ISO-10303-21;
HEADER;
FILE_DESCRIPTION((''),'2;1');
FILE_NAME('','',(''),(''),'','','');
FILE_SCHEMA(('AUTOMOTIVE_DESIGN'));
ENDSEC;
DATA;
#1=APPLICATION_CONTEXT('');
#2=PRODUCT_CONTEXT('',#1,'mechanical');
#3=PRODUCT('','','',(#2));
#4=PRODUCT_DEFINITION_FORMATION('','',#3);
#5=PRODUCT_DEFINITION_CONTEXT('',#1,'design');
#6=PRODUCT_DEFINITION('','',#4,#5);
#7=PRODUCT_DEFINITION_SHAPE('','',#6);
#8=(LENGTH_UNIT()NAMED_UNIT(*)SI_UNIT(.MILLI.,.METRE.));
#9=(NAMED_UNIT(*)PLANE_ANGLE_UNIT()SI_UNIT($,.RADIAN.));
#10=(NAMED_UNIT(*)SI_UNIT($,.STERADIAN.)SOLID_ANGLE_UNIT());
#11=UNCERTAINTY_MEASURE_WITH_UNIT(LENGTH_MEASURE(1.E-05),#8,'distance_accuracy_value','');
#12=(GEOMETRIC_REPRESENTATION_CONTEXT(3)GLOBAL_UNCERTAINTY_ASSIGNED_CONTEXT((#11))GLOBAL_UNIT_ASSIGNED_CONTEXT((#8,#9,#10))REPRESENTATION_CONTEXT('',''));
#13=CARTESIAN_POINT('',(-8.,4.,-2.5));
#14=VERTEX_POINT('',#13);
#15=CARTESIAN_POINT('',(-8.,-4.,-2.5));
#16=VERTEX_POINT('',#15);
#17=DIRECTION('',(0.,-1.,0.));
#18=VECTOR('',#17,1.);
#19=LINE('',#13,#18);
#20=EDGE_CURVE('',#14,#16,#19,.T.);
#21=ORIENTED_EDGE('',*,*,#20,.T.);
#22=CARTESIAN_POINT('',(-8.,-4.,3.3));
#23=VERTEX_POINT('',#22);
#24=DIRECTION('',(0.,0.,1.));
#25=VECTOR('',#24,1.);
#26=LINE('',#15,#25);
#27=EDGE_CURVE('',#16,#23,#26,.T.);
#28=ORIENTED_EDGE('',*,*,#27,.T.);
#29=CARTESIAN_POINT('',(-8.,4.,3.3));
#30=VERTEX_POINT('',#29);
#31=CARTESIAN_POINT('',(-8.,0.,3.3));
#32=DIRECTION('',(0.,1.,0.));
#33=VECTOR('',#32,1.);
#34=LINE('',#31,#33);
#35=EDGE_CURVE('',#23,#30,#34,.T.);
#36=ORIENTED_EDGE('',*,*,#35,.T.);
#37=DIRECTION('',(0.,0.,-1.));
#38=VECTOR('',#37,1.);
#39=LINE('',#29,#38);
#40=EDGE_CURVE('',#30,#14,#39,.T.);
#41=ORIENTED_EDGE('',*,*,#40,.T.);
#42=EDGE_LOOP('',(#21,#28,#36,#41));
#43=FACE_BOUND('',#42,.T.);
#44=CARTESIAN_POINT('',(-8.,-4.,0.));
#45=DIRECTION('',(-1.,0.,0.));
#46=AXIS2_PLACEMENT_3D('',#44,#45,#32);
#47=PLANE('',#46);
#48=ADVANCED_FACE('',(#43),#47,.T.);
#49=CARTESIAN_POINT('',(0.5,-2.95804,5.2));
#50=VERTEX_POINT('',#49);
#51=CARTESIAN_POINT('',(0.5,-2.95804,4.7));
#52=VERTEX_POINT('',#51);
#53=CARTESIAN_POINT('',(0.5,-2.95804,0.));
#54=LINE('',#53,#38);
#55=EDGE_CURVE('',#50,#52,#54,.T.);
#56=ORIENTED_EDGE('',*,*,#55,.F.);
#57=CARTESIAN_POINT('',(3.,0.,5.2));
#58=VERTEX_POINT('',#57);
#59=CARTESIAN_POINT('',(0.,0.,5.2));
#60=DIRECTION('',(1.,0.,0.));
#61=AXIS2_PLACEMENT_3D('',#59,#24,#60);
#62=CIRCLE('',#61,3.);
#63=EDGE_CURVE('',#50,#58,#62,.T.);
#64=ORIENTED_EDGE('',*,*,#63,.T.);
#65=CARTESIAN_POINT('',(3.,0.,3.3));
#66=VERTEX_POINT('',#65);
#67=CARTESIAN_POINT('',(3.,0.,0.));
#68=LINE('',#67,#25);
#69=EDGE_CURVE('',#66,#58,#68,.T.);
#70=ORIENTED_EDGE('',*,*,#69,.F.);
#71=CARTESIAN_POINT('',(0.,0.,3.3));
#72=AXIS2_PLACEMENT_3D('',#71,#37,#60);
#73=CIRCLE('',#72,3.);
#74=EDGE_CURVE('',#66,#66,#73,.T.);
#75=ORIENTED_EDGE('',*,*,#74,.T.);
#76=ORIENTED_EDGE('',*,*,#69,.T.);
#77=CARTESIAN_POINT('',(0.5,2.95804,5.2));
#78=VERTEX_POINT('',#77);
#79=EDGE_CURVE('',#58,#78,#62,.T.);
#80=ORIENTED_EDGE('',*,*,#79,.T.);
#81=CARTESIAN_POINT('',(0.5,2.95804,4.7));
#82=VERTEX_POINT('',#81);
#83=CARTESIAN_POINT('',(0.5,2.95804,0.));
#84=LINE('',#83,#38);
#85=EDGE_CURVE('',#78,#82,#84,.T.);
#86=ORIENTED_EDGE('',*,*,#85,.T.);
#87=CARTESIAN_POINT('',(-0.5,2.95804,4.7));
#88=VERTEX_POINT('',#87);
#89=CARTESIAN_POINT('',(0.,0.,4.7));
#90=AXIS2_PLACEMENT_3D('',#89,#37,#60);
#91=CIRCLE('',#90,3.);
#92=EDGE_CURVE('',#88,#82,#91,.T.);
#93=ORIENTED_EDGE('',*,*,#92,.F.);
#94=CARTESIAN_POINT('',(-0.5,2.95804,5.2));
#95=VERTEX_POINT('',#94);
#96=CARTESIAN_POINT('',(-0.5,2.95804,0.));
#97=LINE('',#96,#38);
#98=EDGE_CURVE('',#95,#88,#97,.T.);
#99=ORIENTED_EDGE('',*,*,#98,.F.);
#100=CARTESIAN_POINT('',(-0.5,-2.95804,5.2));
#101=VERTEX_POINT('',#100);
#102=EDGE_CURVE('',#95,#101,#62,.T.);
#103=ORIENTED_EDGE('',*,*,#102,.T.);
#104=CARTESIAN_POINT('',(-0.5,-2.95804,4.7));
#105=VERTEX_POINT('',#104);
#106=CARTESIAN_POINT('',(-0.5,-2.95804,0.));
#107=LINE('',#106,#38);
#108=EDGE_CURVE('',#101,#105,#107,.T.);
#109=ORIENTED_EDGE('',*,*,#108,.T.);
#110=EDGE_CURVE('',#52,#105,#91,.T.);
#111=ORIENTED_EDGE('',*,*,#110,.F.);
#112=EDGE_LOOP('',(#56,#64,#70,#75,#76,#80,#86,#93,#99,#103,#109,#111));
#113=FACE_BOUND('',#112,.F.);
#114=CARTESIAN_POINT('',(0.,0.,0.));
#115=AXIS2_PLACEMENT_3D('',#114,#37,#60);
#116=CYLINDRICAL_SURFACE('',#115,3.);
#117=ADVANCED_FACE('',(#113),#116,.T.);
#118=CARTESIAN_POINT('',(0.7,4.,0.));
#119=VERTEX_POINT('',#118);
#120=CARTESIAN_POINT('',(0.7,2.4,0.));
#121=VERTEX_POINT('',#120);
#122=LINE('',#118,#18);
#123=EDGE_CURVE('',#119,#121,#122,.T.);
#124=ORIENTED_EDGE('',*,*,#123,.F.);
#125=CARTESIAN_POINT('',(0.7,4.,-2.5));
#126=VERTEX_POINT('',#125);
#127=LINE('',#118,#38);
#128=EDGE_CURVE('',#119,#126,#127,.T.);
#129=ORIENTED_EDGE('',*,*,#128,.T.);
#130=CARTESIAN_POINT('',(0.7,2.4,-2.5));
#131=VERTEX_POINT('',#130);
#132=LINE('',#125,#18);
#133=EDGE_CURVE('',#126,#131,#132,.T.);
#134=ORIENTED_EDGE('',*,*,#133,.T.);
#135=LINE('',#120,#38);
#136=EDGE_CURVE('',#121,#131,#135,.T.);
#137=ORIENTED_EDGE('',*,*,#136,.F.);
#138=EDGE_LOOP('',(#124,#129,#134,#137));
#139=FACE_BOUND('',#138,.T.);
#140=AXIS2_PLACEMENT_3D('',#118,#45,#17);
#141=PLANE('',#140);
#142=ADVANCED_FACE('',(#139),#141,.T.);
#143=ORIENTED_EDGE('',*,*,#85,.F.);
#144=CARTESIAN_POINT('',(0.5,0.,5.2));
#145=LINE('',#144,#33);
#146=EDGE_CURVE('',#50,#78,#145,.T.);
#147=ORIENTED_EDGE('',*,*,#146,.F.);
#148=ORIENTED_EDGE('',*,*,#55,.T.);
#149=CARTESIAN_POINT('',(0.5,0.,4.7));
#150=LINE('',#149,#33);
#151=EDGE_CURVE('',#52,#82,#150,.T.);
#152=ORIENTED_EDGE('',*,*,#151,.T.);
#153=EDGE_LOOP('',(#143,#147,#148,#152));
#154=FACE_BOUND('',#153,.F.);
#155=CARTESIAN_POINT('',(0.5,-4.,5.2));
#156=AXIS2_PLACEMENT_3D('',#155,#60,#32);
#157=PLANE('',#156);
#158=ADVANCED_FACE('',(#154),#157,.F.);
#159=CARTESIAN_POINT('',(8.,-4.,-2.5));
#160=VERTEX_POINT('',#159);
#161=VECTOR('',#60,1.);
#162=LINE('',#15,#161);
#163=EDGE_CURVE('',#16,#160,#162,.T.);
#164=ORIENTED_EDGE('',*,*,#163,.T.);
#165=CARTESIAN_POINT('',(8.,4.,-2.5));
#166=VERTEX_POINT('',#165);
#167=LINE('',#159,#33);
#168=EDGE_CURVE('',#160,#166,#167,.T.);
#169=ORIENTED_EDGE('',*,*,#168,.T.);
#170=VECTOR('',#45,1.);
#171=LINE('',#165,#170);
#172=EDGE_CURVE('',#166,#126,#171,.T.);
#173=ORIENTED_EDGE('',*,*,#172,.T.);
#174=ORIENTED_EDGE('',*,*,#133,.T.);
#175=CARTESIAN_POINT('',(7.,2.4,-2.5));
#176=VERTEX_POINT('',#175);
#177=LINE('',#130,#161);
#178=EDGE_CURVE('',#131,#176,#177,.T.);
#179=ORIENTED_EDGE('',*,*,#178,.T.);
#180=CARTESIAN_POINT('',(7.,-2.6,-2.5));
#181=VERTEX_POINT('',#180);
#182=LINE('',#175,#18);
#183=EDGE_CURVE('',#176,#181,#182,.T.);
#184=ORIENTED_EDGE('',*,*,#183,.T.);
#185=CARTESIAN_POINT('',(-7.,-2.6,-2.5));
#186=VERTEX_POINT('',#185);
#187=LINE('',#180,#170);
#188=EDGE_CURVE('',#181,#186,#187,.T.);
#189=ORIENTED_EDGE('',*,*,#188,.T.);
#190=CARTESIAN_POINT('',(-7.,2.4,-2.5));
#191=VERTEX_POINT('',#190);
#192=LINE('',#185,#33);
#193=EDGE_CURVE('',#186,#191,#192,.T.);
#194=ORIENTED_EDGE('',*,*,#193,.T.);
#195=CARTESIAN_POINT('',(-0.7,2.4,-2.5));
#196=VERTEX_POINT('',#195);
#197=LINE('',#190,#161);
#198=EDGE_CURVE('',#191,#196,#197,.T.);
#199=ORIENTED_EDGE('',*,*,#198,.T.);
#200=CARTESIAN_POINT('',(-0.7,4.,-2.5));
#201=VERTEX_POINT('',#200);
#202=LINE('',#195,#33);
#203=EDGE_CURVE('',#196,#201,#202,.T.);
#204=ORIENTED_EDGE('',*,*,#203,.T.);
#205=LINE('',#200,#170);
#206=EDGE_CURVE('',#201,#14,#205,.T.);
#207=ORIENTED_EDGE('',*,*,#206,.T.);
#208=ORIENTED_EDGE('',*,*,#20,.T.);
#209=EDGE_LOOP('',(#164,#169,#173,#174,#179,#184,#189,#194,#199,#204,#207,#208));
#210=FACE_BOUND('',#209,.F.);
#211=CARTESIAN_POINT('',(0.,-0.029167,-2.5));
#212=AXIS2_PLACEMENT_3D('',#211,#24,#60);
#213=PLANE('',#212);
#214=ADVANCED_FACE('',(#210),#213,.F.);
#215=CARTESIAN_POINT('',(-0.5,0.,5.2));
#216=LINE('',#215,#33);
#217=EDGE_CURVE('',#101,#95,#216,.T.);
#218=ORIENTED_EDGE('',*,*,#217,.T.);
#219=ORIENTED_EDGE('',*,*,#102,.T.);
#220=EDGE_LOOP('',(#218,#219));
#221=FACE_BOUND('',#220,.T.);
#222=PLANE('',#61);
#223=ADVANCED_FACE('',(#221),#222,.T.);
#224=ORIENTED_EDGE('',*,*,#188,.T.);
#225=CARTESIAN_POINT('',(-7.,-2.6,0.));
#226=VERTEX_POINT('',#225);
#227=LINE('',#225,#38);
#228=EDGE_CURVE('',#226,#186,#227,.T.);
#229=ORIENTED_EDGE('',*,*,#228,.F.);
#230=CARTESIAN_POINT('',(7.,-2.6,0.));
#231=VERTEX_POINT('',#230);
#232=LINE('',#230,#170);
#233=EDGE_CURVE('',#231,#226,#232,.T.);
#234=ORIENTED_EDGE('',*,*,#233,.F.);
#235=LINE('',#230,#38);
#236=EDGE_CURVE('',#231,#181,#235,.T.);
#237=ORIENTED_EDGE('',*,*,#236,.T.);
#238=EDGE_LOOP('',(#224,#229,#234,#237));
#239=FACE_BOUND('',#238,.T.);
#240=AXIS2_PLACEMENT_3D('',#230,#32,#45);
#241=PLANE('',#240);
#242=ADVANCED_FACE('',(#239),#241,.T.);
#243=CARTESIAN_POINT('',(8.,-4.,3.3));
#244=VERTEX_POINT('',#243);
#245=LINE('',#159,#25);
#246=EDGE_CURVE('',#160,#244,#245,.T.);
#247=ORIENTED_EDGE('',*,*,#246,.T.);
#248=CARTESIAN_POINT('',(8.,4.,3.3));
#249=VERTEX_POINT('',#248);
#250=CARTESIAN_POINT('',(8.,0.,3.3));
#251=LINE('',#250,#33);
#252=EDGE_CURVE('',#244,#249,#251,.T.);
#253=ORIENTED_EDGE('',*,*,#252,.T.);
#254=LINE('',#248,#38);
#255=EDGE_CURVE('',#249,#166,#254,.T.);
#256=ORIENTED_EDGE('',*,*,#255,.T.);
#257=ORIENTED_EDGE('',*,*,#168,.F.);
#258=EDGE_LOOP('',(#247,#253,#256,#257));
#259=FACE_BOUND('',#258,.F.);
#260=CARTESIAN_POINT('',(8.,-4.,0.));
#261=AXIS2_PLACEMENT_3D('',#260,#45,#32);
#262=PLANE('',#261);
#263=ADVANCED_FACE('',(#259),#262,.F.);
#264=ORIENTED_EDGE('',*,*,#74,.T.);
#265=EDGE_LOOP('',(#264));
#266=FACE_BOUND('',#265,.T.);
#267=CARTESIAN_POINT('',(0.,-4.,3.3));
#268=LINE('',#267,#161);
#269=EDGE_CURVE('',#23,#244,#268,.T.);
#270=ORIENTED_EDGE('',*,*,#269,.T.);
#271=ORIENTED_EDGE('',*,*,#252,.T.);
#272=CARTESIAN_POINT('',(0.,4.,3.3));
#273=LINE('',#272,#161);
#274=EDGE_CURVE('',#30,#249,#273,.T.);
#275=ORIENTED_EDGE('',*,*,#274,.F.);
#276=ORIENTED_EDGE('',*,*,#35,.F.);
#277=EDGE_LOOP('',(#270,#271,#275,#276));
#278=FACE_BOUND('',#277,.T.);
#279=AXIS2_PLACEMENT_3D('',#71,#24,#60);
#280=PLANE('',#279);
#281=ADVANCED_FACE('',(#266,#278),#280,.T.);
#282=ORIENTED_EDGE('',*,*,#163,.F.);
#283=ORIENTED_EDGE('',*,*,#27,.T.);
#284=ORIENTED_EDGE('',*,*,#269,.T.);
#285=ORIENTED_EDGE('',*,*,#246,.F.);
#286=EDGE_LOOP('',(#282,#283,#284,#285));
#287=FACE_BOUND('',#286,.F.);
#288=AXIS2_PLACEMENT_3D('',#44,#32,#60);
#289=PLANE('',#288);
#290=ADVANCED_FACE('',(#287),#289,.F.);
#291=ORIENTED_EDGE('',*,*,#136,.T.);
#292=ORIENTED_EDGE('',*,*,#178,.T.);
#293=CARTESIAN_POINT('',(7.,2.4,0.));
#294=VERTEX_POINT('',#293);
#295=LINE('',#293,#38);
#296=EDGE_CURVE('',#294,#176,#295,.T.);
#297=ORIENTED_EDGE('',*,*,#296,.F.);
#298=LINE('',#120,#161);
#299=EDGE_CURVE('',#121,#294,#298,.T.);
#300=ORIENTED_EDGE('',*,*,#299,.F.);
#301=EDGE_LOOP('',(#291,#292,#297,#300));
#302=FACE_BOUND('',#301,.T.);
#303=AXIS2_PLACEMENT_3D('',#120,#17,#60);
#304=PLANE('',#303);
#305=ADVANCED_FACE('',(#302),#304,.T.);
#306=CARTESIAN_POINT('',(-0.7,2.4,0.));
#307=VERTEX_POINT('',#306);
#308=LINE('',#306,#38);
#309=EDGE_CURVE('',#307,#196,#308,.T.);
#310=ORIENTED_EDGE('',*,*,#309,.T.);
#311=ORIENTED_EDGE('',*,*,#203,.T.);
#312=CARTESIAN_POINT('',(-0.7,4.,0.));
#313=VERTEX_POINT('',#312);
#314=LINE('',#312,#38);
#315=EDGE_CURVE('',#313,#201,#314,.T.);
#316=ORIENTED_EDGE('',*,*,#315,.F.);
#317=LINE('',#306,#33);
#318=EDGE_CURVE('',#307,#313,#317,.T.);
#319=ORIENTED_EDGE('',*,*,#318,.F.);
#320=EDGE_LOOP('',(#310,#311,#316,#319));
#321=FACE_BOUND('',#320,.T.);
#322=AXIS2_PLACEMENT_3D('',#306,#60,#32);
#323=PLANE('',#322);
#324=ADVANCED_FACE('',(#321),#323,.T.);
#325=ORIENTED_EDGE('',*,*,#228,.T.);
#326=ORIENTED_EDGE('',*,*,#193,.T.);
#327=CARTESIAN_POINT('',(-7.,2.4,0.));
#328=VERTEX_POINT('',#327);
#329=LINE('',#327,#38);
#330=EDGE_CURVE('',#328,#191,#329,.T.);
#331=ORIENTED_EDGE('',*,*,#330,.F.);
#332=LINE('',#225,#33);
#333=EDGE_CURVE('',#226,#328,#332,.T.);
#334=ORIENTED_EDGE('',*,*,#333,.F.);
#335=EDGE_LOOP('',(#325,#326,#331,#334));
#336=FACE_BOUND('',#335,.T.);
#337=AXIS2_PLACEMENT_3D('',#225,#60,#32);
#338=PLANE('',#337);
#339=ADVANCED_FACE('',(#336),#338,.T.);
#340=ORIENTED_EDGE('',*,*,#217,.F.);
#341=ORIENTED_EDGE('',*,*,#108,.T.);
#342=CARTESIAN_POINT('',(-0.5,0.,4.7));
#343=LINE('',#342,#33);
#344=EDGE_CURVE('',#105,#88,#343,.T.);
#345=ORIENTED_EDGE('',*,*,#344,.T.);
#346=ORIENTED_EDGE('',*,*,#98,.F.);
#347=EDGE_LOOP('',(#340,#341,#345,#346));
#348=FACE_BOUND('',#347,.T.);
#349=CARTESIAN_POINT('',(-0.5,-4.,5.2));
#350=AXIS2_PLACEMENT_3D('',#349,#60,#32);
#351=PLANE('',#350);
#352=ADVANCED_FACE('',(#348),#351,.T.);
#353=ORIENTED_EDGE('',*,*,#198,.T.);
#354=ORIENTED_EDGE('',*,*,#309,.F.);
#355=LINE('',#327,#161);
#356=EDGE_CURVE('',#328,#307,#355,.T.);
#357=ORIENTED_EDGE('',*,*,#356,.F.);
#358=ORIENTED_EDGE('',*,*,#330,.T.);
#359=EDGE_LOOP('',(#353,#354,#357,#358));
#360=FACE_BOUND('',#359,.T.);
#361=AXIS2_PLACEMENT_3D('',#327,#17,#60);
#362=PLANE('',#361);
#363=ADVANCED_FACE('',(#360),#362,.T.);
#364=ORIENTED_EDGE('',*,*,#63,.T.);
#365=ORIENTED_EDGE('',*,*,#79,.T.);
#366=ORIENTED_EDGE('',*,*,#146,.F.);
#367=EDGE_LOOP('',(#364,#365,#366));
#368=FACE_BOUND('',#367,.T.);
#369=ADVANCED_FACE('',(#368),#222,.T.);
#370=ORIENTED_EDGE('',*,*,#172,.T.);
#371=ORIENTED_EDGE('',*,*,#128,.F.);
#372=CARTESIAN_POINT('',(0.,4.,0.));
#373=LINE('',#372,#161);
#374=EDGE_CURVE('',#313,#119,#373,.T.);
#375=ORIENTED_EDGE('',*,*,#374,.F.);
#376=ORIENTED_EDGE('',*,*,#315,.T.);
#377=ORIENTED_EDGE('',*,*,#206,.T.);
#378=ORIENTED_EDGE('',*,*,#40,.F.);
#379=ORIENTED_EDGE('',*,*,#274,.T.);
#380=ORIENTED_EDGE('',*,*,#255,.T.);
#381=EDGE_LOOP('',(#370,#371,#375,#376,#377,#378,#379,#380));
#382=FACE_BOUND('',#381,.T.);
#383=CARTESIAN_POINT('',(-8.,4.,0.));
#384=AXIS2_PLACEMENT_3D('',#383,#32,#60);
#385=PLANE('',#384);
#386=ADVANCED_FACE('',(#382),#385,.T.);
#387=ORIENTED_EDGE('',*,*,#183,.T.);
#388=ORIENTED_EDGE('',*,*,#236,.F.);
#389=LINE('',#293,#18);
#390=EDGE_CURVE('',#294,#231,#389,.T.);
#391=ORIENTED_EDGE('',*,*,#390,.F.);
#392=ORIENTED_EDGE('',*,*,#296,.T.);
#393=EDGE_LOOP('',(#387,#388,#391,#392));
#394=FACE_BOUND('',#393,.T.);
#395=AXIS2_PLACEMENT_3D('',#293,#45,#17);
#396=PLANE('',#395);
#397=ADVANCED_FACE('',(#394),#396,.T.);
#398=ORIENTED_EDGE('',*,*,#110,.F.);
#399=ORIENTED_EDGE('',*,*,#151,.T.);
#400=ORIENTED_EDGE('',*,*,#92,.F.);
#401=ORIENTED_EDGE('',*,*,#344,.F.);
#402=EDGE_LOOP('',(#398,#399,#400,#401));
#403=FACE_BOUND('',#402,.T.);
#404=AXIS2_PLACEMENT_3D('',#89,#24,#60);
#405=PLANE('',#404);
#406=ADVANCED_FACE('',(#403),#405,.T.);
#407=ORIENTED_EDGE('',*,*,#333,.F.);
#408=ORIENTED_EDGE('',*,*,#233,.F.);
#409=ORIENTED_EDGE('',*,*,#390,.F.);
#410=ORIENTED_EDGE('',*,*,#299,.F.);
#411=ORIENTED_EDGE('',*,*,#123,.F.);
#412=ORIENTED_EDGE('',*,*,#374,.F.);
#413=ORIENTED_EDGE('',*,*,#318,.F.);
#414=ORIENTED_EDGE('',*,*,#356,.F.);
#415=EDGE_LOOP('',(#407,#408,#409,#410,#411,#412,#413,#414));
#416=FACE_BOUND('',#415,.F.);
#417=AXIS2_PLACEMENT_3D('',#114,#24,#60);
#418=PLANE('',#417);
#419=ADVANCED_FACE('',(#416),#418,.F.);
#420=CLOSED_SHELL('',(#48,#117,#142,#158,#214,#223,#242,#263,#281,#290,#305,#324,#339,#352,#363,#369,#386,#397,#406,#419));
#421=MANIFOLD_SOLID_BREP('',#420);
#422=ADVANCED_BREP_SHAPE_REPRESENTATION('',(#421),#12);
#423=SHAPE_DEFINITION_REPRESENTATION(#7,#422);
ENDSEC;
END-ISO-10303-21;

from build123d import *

# Parameters (mm, degrees)
PAD_DEPTH    = 2.5
SKETCH001_W  = 16
SKETCH001_H  = 8
PAD001_DEPTH = 3.3
SKETCH002_R  = 3
PAD002_DEPTH = 5.2
SKETCH003_W  = 1
SKETCH003_H  = 8
POCKET_DEPTH = 0.5


with BuildPart() as part:
    # Sketch → Pad (new body)
    with BuildSketch(Plane.XY):
        Polygon((-8, 4), (-8, -4), (8, -4), (8, 4), (0.7, 4), (0.7, 2.4), (7, 2.4), (7, -2.6), (-7, -2.6), (-7, 2.4), (-0.7, 2.4), (-0.7, 4), align=None)
    extrude(amount=-PAD_DEPTH)

    # Sketch001 → Pad001 (join)
    with BuildSketch(Plane.XY):
        Rectangle(SKETCH001_W, SKETCH001_H)
    extrude(amount=PAD001_DEPTH)

    # Sketch002 → Pad002 (join)
    with BuildSketch(Plane.XY):
        Circle(SKETCH002_R)
    extrude(amount=PAD002_DEPTH)

    # Sketch003 (on Face10 of Pad002) → Pocket (cut)
    with BuildSketch(Plane.XY.offset(5.2)):
        Rectangle(SKETCH003_W, SKETCH003_H)
    extrude(amount=-POCKET_DEPTH, mode=Mode.SUBTRACT)


solid = part.part
